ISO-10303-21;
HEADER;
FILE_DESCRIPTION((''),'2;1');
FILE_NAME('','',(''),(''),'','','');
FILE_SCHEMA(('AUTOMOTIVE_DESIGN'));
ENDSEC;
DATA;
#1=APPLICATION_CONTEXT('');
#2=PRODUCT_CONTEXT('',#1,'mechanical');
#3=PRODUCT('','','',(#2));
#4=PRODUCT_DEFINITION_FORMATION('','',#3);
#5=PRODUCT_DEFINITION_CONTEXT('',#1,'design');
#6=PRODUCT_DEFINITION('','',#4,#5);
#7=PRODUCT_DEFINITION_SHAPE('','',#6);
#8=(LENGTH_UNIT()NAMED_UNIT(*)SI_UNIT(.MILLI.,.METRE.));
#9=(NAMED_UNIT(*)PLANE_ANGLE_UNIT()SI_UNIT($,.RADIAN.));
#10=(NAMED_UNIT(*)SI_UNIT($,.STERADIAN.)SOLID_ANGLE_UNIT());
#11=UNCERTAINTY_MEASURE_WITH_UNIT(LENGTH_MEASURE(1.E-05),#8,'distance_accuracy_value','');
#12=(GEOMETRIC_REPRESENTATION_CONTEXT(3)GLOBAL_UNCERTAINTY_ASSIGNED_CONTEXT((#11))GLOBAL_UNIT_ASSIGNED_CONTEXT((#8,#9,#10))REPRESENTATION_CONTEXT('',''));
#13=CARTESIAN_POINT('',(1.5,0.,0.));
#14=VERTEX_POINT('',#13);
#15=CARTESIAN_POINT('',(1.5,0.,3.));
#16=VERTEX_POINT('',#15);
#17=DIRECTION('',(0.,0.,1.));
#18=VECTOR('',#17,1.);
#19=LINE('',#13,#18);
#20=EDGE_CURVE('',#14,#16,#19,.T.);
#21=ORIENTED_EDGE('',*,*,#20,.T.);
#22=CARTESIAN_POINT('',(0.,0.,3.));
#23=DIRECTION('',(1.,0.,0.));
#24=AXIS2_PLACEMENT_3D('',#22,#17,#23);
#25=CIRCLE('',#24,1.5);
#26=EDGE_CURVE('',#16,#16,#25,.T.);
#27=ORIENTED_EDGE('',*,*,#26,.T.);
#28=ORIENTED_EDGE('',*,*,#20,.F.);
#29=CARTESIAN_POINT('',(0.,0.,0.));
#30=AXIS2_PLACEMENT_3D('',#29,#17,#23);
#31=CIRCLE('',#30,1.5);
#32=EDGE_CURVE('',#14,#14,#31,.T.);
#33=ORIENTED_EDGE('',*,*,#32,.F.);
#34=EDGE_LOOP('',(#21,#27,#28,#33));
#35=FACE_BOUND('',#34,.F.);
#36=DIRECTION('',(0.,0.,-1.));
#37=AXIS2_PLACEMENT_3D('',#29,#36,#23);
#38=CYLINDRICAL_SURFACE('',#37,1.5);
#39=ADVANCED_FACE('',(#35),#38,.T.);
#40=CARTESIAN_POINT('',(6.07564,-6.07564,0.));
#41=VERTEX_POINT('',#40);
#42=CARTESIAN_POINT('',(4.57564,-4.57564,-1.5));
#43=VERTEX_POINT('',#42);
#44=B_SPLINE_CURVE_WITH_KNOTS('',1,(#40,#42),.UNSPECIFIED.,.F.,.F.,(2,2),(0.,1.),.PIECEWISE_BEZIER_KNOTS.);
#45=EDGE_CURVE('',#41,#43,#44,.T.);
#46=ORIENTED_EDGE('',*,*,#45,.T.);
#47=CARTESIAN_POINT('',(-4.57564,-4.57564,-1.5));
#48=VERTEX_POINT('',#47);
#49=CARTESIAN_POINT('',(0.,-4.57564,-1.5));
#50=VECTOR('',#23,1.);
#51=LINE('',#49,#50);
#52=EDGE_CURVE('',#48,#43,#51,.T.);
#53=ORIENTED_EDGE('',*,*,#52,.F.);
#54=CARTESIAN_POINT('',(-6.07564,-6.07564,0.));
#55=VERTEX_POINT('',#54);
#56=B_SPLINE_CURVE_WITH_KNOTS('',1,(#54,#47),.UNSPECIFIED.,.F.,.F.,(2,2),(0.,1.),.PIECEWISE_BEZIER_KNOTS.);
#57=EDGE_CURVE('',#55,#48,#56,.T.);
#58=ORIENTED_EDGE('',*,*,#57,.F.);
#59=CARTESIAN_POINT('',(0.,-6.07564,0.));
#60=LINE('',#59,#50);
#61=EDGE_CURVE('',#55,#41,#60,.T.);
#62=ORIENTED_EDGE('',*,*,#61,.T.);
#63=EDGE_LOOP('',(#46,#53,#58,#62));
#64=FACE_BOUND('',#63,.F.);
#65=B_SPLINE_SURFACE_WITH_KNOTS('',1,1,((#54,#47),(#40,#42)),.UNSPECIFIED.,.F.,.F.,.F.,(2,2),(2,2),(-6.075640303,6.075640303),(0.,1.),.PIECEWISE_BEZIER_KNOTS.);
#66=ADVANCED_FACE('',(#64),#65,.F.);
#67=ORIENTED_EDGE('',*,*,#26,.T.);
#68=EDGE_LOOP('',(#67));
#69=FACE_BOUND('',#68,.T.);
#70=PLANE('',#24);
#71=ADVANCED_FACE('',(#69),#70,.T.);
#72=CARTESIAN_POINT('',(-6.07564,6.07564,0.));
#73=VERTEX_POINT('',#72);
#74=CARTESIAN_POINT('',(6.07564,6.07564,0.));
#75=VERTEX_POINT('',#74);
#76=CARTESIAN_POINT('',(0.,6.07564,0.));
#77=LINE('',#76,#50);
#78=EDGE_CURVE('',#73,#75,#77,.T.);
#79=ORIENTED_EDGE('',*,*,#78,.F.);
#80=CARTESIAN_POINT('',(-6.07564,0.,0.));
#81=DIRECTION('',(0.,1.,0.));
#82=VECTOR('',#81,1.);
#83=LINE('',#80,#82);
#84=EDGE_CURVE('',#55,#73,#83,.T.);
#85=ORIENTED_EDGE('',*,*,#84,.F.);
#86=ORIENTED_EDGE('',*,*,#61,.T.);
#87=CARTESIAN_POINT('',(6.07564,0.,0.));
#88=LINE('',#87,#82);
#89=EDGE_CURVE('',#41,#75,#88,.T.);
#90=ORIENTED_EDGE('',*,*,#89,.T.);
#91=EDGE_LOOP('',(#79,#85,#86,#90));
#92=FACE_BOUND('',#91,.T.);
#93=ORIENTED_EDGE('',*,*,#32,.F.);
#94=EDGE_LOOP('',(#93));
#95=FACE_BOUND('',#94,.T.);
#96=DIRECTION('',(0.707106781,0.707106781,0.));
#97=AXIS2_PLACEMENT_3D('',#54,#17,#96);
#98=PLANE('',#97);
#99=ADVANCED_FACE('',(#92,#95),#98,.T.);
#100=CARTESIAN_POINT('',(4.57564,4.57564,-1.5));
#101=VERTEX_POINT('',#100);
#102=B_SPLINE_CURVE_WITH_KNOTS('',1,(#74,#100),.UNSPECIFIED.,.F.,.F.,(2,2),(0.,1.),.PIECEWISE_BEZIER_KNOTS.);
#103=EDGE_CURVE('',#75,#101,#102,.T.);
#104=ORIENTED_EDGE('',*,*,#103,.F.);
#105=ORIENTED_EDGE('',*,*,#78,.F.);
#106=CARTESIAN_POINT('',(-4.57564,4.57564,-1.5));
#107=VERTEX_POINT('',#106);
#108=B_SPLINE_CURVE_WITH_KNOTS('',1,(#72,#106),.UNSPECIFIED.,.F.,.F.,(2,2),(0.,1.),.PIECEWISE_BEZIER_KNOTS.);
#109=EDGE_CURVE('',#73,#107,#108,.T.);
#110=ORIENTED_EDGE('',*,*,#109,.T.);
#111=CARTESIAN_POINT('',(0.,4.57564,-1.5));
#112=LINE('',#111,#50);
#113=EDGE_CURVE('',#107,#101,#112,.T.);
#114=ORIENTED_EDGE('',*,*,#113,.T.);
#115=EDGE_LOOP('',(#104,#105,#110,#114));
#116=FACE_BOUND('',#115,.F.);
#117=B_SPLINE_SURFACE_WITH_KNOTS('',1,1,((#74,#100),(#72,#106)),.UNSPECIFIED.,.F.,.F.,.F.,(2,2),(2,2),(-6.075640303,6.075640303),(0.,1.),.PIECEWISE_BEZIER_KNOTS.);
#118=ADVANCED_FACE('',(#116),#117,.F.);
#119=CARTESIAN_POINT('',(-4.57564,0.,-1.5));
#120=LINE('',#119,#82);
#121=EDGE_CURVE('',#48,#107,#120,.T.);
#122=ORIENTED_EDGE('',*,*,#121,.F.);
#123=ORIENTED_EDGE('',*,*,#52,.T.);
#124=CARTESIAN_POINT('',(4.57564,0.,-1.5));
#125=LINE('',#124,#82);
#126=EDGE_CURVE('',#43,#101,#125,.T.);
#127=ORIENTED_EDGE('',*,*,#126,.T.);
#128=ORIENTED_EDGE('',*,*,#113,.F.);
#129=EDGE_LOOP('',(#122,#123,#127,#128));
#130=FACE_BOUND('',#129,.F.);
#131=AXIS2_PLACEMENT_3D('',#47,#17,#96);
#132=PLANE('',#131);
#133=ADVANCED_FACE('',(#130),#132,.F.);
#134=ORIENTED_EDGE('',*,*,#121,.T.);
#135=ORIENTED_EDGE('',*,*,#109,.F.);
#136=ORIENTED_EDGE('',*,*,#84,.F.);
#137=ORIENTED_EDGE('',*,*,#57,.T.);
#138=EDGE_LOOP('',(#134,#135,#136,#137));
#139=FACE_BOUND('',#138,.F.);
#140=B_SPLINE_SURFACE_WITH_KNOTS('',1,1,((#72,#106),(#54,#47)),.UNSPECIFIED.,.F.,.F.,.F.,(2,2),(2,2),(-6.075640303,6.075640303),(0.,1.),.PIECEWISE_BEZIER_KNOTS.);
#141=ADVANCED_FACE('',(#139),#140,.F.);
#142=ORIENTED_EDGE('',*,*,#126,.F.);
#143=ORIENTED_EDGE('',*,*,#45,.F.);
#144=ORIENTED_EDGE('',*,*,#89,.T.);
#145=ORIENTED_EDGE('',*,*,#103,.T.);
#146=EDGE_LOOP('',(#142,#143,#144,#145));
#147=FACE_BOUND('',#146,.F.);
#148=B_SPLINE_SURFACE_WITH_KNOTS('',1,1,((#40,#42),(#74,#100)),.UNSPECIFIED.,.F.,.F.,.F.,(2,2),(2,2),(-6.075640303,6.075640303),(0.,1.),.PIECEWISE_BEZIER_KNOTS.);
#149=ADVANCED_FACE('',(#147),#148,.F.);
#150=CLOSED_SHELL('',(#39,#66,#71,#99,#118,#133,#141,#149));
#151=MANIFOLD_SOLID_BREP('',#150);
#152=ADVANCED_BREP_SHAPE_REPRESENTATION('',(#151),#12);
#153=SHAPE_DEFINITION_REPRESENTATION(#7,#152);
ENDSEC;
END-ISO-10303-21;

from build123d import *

# Parameters (mm, degrees)
F0_R     = 1.5
F1_DEPTH = 3
F4_W     = 12.1512806053
F4_H     = 12.1512806053
F5_DEPTH = 1.5
F5_TAPER = 45


with BuildPart() as f1:
    # F0 (on Top) → F1 (new body)
    with BuildSketch(Plane.XY):
        Circle(F0_R)
    extrude(amount=F1_DEPTH)

    # F4 (on Top) → F5 (join)
    with BuildSketch(Plane.XY):
        Rectangle(F4_W, F4_H)
    extrude(amount=-F5_DEPTH, taper=F5_TAPER)


solid = f1.part
